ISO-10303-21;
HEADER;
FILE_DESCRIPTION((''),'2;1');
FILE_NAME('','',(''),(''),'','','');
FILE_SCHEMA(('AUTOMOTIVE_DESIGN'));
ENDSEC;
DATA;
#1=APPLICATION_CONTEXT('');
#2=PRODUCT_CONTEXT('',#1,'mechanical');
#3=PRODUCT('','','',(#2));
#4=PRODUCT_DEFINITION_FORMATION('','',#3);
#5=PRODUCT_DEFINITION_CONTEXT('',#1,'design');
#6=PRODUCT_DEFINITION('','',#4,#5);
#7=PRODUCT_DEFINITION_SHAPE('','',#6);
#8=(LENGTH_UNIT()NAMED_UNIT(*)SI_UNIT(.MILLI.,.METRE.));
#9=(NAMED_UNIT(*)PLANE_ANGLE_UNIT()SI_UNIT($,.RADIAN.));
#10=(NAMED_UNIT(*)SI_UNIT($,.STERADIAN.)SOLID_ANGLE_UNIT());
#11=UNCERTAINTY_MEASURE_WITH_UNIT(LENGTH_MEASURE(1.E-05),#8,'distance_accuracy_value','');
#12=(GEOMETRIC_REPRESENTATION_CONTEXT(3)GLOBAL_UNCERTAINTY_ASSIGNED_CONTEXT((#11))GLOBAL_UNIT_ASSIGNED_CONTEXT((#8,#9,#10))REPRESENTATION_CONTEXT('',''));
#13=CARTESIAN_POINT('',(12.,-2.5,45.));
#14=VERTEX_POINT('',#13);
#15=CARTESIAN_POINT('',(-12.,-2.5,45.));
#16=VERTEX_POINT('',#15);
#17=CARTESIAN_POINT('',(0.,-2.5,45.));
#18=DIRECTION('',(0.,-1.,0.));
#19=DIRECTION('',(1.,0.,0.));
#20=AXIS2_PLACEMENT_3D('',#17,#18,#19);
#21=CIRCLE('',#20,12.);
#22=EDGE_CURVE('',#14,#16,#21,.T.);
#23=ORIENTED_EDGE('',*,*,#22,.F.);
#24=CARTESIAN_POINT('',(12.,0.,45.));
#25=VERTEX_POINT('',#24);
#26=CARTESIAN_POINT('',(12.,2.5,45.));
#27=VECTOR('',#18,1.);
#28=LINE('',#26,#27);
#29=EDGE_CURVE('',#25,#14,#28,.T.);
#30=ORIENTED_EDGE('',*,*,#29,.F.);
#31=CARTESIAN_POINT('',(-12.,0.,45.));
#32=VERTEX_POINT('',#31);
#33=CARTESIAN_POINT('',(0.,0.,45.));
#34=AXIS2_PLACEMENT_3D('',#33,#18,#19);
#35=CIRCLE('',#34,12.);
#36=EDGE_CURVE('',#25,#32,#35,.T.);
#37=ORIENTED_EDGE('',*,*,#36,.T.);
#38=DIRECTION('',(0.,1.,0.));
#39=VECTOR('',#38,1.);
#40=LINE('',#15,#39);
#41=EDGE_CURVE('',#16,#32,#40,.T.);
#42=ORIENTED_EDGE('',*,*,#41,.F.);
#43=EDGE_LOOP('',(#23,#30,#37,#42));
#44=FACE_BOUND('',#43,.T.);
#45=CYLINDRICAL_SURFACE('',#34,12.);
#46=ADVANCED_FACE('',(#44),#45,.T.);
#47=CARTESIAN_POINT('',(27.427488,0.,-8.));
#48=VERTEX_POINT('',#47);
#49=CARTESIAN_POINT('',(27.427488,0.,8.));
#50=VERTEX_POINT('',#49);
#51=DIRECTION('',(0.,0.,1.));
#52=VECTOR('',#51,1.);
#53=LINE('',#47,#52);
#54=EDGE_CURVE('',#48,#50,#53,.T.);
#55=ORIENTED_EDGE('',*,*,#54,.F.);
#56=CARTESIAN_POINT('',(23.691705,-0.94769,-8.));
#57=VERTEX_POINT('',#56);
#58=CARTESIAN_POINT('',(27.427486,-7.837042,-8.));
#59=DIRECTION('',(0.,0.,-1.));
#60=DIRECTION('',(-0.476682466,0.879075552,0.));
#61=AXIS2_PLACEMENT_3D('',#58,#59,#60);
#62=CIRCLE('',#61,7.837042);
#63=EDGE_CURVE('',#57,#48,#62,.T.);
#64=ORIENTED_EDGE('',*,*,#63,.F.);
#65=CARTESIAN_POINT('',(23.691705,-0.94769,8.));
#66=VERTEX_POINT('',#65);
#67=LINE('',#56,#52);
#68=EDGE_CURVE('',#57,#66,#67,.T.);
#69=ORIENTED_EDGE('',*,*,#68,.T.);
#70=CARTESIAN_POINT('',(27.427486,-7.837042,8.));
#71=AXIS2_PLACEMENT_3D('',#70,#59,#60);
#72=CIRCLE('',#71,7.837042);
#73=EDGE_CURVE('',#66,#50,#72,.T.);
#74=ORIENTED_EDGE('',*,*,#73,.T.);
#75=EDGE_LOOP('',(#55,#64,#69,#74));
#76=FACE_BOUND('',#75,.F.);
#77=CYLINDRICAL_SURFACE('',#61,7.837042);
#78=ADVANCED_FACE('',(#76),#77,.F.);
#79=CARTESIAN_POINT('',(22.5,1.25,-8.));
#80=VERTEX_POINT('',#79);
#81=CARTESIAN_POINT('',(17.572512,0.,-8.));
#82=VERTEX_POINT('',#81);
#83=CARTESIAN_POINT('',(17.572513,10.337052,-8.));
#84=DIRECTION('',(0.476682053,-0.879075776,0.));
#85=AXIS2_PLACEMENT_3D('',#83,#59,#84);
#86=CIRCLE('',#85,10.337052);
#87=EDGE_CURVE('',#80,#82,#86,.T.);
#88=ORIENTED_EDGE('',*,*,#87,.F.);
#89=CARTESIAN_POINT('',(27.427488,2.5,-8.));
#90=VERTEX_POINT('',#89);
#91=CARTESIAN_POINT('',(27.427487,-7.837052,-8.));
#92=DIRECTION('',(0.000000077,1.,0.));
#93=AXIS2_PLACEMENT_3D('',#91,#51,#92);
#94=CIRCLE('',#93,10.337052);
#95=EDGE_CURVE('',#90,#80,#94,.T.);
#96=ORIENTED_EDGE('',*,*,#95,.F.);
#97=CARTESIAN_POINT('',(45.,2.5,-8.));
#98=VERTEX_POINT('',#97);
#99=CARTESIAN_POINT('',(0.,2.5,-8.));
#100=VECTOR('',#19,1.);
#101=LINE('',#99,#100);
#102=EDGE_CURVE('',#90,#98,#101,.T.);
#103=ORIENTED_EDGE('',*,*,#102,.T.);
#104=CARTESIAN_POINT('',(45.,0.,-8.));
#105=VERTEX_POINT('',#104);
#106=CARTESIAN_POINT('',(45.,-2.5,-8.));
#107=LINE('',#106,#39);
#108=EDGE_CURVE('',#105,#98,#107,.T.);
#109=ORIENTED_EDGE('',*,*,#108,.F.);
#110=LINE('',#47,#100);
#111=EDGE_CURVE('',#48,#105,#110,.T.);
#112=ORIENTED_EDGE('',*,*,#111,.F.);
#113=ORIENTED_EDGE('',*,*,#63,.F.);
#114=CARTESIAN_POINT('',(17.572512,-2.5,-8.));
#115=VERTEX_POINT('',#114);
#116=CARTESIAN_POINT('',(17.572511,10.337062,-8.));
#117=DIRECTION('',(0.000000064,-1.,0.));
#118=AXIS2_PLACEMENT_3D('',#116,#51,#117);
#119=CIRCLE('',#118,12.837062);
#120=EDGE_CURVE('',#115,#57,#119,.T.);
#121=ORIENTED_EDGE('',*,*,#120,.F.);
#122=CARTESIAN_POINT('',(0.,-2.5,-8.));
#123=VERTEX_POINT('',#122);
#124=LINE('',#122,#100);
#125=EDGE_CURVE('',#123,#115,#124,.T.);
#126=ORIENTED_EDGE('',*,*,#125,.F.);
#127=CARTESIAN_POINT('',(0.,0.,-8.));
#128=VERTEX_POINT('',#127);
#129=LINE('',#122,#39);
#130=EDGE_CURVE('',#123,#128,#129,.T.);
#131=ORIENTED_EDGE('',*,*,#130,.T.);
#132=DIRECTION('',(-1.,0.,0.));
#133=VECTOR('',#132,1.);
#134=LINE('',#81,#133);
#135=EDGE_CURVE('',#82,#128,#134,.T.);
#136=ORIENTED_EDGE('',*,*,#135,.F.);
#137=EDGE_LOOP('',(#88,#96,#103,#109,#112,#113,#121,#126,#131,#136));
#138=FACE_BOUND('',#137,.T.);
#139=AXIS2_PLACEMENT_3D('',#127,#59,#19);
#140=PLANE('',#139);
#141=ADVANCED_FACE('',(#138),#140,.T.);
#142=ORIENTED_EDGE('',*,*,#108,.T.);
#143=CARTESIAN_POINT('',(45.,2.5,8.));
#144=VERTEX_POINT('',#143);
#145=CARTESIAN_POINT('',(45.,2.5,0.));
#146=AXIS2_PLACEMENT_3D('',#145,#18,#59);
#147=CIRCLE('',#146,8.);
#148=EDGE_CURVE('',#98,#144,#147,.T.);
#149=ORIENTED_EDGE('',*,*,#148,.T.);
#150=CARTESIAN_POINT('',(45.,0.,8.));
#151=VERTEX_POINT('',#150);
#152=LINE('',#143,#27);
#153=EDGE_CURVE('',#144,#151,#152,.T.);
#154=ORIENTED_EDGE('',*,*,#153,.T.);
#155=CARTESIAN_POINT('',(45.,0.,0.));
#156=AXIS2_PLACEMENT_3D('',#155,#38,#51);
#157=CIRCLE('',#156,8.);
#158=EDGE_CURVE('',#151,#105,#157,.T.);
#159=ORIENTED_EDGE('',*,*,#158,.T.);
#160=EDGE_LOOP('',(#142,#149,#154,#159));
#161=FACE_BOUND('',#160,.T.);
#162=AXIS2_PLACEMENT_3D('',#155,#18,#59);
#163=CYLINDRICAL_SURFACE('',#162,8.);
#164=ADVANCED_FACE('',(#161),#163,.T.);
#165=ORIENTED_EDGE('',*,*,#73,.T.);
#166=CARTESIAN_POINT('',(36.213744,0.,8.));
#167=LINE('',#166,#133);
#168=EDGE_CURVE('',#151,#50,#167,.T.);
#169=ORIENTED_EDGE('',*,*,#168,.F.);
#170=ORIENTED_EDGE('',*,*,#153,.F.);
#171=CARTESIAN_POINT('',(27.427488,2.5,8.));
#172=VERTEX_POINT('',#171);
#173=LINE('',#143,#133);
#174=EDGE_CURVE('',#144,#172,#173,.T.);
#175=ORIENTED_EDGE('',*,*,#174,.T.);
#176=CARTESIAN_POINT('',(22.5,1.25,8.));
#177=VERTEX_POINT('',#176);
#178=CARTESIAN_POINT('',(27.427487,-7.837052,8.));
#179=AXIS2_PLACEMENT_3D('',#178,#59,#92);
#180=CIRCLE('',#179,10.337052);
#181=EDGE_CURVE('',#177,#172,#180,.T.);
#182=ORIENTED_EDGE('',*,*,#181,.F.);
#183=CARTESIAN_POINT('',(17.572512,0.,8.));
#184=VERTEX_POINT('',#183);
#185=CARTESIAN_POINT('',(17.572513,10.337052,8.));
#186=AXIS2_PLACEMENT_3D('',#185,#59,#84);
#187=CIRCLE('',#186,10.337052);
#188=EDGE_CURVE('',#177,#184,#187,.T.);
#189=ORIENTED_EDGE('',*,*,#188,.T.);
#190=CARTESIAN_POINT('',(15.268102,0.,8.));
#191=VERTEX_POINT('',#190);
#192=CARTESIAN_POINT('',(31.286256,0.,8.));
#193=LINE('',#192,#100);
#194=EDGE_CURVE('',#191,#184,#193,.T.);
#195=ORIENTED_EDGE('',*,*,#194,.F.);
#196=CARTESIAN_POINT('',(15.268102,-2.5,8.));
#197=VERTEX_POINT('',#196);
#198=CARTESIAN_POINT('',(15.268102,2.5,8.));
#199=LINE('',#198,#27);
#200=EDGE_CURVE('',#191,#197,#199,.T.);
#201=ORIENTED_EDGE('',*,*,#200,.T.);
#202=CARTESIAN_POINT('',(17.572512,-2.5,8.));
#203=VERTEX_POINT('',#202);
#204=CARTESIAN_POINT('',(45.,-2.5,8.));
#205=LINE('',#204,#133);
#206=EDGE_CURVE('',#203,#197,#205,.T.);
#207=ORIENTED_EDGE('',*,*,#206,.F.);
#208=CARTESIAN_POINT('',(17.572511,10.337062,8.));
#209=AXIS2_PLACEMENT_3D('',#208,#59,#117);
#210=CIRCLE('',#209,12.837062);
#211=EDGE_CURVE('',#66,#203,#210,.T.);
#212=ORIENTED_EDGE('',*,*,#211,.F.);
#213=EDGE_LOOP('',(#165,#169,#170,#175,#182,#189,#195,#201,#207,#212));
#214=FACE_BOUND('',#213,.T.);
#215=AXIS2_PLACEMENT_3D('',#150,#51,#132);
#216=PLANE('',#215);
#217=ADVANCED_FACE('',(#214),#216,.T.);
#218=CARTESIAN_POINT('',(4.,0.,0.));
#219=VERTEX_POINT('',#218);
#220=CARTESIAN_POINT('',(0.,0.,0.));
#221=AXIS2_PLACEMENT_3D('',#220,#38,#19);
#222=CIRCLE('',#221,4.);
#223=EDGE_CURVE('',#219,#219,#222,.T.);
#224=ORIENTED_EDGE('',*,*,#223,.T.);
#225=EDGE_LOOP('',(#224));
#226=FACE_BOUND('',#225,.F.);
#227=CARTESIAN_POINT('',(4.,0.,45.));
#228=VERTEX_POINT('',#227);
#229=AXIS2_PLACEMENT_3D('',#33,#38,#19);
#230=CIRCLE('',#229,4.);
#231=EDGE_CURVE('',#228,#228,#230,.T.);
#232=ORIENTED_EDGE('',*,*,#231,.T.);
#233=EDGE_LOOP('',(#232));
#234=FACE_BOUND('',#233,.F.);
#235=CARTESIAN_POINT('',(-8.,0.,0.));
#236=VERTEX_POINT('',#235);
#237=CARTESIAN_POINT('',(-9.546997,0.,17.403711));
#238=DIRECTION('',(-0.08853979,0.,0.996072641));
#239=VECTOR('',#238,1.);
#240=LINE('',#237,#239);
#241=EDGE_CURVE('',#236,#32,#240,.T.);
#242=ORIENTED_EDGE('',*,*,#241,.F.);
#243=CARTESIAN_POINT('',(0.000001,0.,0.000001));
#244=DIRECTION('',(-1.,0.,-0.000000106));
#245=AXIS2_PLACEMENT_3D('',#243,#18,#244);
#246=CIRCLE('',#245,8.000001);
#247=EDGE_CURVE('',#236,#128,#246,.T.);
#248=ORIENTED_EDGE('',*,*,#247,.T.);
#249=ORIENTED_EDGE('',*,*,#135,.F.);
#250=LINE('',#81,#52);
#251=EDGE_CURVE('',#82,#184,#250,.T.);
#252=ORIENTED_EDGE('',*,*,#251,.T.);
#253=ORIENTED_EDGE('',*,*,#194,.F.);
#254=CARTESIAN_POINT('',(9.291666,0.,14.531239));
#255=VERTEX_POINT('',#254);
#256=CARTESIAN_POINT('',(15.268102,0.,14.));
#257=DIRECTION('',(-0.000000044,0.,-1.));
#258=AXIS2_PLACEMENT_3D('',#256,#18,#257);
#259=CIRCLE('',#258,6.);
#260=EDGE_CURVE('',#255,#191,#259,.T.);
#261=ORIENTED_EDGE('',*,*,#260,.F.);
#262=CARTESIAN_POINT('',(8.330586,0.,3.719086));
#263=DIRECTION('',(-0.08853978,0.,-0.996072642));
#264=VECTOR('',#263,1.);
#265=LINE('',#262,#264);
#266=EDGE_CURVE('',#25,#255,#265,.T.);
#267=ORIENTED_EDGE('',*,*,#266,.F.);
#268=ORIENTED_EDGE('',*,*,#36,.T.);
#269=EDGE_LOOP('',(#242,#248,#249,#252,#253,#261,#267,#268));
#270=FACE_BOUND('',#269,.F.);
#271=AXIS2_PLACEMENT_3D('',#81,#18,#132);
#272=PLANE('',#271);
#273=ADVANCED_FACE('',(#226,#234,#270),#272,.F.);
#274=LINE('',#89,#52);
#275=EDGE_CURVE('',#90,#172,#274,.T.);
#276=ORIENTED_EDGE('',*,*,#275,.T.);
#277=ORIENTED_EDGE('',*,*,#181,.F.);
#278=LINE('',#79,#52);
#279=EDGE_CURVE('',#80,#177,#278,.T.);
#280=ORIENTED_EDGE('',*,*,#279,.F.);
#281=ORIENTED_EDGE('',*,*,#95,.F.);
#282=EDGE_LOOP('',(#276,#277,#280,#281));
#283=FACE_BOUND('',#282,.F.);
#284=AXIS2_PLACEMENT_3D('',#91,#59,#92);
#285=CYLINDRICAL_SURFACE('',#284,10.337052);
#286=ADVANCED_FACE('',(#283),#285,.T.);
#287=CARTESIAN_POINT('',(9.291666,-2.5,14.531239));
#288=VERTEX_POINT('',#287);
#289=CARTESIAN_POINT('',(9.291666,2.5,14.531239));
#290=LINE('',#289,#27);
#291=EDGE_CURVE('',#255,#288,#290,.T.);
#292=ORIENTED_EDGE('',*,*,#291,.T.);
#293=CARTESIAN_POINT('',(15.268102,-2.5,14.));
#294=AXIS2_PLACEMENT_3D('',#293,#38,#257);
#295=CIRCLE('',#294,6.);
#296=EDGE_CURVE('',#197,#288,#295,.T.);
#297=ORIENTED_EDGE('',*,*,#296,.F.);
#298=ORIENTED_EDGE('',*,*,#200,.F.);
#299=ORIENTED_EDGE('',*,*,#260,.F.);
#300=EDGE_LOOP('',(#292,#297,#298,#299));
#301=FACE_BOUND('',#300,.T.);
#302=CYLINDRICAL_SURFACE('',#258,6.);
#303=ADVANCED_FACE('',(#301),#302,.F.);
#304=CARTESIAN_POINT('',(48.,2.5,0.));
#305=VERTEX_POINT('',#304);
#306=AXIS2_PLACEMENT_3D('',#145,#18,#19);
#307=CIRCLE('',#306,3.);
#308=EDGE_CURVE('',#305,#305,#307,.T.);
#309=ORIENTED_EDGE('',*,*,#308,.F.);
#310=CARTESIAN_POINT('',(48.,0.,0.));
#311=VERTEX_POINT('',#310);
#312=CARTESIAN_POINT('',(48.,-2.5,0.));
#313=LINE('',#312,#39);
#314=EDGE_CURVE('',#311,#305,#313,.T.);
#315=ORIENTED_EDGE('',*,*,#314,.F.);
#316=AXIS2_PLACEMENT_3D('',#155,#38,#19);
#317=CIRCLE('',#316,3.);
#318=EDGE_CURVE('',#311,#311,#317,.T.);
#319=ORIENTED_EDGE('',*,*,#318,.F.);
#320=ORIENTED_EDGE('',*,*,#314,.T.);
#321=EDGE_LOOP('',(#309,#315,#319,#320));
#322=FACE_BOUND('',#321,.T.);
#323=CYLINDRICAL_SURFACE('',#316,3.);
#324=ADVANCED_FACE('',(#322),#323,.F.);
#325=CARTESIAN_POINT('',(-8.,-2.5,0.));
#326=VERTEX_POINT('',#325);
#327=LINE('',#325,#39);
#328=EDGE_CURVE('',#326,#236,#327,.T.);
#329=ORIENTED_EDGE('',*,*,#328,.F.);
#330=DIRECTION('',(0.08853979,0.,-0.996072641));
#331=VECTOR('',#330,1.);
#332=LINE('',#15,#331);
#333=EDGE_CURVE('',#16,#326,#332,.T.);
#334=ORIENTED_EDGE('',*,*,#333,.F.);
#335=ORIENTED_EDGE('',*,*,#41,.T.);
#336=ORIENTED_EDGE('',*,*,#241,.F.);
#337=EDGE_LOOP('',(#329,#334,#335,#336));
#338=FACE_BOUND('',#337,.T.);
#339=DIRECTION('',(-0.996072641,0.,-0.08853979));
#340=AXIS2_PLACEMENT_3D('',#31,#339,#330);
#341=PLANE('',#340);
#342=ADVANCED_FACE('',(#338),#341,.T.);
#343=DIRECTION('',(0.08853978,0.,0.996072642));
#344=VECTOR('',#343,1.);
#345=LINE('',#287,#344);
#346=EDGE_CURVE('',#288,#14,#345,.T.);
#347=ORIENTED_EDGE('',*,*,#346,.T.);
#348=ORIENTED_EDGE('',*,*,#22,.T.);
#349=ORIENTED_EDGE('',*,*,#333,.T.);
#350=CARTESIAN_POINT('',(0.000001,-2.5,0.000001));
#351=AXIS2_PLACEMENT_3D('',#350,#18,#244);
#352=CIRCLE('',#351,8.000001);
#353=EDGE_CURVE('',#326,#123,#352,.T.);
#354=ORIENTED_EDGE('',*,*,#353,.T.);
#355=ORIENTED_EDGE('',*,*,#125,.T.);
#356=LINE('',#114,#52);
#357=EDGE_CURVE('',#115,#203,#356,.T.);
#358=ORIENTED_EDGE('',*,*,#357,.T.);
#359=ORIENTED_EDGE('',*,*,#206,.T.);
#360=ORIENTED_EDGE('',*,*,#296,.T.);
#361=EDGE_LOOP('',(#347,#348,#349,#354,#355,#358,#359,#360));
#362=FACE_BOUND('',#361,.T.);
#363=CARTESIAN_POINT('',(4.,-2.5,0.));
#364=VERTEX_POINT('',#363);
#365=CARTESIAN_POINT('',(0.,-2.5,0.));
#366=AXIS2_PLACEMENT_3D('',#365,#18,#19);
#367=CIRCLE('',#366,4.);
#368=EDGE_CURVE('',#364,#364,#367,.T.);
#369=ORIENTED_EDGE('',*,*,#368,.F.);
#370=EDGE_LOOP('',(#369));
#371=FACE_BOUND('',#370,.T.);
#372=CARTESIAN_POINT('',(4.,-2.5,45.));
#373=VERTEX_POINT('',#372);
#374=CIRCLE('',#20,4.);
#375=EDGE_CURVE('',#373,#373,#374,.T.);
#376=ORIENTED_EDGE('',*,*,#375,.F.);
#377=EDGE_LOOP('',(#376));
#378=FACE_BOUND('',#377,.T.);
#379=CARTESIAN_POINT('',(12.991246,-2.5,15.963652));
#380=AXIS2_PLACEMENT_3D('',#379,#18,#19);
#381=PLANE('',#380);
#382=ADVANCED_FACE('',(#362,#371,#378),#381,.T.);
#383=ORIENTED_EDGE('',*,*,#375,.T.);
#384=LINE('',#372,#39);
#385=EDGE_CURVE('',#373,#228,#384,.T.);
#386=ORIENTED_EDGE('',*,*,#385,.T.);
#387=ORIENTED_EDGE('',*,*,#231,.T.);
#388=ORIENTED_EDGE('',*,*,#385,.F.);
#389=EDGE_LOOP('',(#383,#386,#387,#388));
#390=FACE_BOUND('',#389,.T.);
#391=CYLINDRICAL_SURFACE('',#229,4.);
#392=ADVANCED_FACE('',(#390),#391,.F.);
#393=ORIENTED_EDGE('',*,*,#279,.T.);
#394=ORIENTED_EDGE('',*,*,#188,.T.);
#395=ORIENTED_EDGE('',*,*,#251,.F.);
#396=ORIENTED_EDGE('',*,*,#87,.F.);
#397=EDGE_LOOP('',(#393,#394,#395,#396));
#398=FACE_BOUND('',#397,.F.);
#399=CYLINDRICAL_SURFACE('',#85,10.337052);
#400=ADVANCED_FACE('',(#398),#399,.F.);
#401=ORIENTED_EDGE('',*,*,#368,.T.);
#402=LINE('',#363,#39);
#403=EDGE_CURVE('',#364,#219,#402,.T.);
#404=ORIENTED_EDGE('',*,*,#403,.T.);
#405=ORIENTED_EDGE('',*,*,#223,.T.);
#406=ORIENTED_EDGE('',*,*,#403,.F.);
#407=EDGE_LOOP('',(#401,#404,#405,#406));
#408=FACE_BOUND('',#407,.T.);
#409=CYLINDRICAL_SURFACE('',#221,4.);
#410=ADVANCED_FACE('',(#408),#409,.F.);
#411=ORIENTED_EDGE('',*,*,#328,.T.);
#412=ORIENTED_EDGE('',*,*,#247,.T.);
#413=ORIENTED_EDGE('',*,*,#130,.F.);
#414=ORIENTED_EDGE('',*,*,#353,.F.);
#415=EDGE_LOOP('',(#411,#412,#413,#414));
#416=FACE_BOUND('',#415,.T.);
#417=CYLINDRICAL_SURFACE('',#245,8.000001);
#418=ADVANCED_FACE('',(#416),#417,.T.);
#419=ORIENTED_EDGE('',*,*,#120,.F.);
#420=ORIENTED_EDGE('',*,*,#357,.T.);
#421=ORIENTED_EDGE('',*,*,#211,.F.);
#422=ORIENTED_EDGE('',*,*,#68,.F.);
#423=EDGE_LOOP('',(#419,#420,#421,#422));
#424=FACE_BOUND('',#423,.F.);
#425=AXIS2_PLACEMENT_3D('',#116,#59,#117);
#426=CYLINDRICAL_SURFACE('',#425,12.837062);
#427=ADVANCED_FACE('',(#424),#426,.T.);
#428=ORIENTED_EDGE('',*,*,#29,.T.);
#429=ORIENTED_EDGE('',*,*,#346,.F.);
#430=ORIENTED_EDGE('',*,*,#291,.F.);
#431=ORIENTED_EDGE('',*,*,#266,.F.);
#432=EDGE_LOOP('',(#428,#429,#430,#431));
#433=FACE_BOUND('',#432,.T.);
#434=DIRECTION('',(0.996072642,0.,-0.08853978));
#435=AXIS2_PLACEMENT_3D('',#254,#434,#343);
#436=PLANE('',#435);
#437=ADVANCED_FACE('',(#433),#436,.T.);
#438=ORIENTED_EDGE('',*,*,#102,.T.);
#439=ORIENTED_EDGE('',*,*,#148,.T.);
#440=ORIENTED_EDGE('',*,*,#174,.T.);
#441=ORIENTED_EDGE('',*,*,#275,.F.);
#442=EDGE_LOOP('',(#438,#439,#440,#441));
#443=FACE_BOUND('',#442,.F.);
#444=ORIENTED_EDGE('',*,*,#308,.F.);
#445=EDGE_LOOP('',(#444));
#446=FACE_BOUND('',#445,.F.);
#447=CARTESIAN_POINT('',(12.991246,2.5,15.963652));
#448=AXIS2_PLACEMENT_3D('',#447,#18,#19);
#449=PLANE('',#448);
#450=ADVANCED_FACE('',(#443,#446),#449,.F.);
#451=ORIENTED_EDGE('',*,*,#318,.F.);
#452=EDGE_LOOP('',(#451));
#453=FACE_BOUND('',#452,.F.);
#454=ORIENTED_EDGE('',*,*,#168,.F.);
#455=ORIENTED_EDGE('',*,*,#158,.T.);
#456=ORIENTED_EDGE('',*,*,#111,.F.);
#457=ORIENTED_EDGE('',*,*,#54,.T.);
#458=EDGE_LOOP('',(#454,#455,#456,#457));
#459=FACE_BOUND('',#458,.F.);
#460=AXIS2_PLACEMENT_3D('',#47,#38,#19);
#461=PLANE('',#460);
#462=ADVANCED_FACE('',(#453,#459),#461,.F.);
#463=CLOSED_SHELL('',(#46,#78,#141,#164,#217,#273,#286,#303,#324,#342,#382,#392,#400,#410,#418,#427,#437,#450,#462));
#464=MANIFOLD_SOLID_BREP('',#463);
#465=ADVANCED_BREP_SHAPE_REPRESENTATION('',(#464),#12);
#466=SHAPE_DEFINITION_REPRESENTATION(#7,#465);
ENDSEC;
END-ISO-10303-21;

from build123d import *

# Parameters (mm, degrees)
F0_R     = 4
F0_R_2   = 3
F1_DEPTH = 2.5
F2_W     = 12
F2_H     = 2.5
F2_W_2   = 8
F3_DEPTH = 65.001


with BuildPart() as f1:
    # F0 (on Front) → F1 (new body, symmetric)
    with BuildSketch(Plane.XZ):
        with BuildLine():
            ThreePointArc((45, -8), (53, 0), (45, 8))
            Line((45, 8), (15.268102, 8))
            ThreePointArc((15.268102, 8), (10.841623, 9.949533), (9.291666, 14.531239))
            Line((9.291666, 14.531239), (12, 45))
            ThreePointArc((12, 45), (0, 57), (-12, 45))
            Line((-12, 45), (-8, 0))
            ThreePointArc((-8, 0), (-5.656854, -5.656854), (0, -8))
            Line((0, -8), (45, -8))
        make_face()
        Circle(F0_R, mode=Mode.SUBTRACT)
        with Locations((45, 0)):
            Circle(F0_R_2, mode=Mode.SUBTRACT)
        with Locations((0, 45)):
            Circle(F0_R, mode=Mode.SUBTRACT)
    extrude(amount=F1_DEPTH, both=True)

    # F2 (on face) → F3 (cut, through all)
    with BuildSketch(Plane(origin=(0, 0, -8), x_dir=(1, 0, 0), z_dir=(0, 0, -1))):
        with Locations((-6, -1.25)):
            Rectangle(F2_W, F2_H)
        with BuildLine():
            Line((17.572512, 0), (0, 0))
            Line((0, 0), (0, -2.5))
            Line((0, -2.5), (27.427488, -2.5))
            ThreePointArc((27.427488, -2.5), (24.885705, -2.182628), (22.5, -1.25))
            ThreePointArc((22.5, -1.25), (20.114295, -0.317372), (17.572512, 0))
        make_face()
        with Locations((49, 1.25)):
            Rectangle(F2_W_2, F2_H)
        with BuildLine():
            Line((45, 2.5), (17.572512, 2.5))
            ThreePointArc((17.572512, 2.5), (20.729021, 2.105872), (23.691705, 0.94769))
            ThreePointArc((23.691705, 0.94769), (25.500431, 0.240616), (27.427488, 0))
            Line((27.427488, 0), (45, 0))
            Line((45, 0), (45, 2.5))
        make_face()
    extrude(amount=-F3_DEPTH, mode=Mode.SUBTRACT)


solid = f1.part
